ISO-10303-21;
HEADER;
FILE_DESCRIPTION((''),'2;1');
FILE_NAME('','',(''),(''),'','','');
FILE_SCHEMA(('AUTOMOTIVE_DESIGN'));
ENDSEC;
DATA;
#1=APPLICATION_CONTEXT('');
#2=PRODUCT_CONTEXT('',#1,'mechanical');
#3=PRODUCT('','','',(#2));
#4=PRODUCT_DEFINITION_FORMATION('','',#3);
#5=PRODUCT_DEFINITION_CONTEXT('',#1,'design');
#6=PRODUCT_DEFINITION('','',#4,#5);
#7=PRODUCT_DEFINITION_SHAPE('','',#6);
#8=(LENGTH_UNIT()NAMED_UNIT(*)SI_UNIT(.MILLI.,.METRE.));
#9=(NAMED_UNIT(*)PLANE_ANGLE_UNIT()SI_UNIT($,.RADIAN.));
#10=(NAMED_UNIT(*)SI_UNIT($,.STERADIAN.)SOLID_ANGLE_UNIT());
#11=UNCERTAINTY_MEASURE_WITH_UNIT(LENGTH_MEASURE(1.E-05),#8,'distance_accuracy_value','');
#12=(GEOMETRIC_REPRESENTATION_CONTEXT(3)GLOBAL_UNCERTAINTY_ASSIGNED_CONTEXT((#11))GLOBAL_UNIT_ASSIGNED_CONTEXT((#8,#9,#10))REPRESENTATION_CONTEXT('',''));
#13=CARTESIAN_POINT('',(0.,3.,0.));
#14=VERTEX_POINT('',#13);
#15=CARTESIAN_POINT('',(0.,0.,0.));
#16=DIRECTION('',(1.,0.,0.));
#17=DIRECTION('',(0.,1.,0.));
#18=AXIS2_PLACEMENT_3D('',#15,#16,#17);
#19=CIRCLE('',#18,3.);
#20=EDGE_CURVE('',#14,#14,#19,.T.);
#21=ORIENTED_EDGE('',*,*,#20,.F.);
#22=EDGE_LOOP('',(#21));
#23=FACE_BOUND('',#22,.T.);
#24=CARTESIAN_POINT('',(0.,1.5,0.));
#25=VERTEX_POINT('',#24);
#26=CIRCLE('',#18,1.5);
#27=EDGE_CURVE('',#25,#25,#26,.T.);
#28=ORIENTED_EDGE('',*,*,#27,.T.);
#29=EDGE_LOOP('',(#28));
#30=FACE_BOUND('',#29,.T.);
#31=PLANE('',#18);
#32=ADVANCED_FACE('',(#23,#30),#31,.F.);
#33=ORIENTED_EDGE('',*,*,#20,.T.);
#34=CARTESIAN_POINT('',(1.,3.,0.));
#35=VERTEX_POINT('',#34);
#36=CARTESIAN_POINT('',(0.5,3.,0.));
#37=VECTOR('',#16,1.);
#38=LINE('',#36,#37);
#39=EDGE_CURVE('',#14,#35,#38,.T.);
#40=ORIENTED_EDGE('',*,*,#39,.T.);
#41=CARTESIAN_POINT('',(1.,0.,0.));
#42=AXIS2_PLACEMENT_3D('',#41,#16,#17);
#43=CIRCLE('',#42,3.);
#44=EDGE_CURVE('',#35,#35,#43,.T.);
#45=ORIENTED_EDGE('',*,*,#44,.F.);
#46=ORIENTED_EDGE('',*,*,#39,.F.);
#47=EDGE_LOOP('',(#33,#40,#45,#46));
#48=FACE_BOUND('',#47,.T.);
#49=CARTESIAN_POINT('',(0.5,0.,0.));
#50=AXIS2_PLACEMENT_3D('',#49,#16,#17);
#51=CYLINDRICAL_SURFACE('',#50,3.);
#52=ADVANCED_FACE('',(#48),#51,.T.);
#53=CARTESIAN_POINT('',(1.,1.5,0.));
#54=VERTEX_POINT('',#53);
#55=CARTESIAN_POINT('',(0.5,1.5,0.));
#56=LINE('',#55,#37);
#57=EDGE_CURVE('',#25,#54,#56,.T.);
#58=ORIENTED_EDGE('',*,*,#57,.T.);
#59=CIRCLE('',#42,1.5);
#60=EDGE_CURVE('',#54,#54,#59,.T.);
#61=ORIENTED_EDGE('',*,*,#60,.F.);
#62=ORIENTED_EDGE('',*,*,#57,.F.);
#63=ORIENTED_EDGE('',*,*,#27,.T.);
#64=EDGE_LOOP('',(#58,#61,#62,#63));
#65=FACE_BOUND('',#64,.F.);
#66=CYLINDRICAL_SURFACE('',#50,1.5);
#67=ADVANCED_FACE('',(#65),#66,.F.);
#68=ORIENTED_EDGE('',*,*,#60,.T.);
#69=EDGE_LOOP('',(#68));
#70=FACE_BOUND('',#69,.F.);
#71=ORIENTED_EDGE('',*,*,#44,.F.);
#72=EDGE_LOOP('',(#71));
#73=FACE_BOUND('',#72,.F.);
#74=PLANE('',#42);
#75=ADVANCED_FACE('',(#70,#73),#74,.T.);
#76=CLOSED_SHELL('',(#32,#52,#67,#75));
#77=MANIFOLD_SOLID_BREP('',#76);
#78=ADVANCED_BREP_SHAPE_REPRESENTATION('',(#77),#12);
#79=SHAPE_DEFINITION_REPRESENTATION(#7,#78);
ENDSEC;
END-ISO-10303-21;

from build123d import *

# Parameters (mm, degrees)
SKETCH1_W = 1
SKETCH1_H = 1.5


with BuildPart() as part:
    # Sketch1 → Revolve1 (revolve)
    with BuildSketch(Plane.XY):
        with Locations((0.5, 2.25)):
            Rectangle(SKETCH1_W, SKETCH1_H)
    revolve(axis=Axis((0, 0, 0), (1, 0, 0)))


solid = part.part
